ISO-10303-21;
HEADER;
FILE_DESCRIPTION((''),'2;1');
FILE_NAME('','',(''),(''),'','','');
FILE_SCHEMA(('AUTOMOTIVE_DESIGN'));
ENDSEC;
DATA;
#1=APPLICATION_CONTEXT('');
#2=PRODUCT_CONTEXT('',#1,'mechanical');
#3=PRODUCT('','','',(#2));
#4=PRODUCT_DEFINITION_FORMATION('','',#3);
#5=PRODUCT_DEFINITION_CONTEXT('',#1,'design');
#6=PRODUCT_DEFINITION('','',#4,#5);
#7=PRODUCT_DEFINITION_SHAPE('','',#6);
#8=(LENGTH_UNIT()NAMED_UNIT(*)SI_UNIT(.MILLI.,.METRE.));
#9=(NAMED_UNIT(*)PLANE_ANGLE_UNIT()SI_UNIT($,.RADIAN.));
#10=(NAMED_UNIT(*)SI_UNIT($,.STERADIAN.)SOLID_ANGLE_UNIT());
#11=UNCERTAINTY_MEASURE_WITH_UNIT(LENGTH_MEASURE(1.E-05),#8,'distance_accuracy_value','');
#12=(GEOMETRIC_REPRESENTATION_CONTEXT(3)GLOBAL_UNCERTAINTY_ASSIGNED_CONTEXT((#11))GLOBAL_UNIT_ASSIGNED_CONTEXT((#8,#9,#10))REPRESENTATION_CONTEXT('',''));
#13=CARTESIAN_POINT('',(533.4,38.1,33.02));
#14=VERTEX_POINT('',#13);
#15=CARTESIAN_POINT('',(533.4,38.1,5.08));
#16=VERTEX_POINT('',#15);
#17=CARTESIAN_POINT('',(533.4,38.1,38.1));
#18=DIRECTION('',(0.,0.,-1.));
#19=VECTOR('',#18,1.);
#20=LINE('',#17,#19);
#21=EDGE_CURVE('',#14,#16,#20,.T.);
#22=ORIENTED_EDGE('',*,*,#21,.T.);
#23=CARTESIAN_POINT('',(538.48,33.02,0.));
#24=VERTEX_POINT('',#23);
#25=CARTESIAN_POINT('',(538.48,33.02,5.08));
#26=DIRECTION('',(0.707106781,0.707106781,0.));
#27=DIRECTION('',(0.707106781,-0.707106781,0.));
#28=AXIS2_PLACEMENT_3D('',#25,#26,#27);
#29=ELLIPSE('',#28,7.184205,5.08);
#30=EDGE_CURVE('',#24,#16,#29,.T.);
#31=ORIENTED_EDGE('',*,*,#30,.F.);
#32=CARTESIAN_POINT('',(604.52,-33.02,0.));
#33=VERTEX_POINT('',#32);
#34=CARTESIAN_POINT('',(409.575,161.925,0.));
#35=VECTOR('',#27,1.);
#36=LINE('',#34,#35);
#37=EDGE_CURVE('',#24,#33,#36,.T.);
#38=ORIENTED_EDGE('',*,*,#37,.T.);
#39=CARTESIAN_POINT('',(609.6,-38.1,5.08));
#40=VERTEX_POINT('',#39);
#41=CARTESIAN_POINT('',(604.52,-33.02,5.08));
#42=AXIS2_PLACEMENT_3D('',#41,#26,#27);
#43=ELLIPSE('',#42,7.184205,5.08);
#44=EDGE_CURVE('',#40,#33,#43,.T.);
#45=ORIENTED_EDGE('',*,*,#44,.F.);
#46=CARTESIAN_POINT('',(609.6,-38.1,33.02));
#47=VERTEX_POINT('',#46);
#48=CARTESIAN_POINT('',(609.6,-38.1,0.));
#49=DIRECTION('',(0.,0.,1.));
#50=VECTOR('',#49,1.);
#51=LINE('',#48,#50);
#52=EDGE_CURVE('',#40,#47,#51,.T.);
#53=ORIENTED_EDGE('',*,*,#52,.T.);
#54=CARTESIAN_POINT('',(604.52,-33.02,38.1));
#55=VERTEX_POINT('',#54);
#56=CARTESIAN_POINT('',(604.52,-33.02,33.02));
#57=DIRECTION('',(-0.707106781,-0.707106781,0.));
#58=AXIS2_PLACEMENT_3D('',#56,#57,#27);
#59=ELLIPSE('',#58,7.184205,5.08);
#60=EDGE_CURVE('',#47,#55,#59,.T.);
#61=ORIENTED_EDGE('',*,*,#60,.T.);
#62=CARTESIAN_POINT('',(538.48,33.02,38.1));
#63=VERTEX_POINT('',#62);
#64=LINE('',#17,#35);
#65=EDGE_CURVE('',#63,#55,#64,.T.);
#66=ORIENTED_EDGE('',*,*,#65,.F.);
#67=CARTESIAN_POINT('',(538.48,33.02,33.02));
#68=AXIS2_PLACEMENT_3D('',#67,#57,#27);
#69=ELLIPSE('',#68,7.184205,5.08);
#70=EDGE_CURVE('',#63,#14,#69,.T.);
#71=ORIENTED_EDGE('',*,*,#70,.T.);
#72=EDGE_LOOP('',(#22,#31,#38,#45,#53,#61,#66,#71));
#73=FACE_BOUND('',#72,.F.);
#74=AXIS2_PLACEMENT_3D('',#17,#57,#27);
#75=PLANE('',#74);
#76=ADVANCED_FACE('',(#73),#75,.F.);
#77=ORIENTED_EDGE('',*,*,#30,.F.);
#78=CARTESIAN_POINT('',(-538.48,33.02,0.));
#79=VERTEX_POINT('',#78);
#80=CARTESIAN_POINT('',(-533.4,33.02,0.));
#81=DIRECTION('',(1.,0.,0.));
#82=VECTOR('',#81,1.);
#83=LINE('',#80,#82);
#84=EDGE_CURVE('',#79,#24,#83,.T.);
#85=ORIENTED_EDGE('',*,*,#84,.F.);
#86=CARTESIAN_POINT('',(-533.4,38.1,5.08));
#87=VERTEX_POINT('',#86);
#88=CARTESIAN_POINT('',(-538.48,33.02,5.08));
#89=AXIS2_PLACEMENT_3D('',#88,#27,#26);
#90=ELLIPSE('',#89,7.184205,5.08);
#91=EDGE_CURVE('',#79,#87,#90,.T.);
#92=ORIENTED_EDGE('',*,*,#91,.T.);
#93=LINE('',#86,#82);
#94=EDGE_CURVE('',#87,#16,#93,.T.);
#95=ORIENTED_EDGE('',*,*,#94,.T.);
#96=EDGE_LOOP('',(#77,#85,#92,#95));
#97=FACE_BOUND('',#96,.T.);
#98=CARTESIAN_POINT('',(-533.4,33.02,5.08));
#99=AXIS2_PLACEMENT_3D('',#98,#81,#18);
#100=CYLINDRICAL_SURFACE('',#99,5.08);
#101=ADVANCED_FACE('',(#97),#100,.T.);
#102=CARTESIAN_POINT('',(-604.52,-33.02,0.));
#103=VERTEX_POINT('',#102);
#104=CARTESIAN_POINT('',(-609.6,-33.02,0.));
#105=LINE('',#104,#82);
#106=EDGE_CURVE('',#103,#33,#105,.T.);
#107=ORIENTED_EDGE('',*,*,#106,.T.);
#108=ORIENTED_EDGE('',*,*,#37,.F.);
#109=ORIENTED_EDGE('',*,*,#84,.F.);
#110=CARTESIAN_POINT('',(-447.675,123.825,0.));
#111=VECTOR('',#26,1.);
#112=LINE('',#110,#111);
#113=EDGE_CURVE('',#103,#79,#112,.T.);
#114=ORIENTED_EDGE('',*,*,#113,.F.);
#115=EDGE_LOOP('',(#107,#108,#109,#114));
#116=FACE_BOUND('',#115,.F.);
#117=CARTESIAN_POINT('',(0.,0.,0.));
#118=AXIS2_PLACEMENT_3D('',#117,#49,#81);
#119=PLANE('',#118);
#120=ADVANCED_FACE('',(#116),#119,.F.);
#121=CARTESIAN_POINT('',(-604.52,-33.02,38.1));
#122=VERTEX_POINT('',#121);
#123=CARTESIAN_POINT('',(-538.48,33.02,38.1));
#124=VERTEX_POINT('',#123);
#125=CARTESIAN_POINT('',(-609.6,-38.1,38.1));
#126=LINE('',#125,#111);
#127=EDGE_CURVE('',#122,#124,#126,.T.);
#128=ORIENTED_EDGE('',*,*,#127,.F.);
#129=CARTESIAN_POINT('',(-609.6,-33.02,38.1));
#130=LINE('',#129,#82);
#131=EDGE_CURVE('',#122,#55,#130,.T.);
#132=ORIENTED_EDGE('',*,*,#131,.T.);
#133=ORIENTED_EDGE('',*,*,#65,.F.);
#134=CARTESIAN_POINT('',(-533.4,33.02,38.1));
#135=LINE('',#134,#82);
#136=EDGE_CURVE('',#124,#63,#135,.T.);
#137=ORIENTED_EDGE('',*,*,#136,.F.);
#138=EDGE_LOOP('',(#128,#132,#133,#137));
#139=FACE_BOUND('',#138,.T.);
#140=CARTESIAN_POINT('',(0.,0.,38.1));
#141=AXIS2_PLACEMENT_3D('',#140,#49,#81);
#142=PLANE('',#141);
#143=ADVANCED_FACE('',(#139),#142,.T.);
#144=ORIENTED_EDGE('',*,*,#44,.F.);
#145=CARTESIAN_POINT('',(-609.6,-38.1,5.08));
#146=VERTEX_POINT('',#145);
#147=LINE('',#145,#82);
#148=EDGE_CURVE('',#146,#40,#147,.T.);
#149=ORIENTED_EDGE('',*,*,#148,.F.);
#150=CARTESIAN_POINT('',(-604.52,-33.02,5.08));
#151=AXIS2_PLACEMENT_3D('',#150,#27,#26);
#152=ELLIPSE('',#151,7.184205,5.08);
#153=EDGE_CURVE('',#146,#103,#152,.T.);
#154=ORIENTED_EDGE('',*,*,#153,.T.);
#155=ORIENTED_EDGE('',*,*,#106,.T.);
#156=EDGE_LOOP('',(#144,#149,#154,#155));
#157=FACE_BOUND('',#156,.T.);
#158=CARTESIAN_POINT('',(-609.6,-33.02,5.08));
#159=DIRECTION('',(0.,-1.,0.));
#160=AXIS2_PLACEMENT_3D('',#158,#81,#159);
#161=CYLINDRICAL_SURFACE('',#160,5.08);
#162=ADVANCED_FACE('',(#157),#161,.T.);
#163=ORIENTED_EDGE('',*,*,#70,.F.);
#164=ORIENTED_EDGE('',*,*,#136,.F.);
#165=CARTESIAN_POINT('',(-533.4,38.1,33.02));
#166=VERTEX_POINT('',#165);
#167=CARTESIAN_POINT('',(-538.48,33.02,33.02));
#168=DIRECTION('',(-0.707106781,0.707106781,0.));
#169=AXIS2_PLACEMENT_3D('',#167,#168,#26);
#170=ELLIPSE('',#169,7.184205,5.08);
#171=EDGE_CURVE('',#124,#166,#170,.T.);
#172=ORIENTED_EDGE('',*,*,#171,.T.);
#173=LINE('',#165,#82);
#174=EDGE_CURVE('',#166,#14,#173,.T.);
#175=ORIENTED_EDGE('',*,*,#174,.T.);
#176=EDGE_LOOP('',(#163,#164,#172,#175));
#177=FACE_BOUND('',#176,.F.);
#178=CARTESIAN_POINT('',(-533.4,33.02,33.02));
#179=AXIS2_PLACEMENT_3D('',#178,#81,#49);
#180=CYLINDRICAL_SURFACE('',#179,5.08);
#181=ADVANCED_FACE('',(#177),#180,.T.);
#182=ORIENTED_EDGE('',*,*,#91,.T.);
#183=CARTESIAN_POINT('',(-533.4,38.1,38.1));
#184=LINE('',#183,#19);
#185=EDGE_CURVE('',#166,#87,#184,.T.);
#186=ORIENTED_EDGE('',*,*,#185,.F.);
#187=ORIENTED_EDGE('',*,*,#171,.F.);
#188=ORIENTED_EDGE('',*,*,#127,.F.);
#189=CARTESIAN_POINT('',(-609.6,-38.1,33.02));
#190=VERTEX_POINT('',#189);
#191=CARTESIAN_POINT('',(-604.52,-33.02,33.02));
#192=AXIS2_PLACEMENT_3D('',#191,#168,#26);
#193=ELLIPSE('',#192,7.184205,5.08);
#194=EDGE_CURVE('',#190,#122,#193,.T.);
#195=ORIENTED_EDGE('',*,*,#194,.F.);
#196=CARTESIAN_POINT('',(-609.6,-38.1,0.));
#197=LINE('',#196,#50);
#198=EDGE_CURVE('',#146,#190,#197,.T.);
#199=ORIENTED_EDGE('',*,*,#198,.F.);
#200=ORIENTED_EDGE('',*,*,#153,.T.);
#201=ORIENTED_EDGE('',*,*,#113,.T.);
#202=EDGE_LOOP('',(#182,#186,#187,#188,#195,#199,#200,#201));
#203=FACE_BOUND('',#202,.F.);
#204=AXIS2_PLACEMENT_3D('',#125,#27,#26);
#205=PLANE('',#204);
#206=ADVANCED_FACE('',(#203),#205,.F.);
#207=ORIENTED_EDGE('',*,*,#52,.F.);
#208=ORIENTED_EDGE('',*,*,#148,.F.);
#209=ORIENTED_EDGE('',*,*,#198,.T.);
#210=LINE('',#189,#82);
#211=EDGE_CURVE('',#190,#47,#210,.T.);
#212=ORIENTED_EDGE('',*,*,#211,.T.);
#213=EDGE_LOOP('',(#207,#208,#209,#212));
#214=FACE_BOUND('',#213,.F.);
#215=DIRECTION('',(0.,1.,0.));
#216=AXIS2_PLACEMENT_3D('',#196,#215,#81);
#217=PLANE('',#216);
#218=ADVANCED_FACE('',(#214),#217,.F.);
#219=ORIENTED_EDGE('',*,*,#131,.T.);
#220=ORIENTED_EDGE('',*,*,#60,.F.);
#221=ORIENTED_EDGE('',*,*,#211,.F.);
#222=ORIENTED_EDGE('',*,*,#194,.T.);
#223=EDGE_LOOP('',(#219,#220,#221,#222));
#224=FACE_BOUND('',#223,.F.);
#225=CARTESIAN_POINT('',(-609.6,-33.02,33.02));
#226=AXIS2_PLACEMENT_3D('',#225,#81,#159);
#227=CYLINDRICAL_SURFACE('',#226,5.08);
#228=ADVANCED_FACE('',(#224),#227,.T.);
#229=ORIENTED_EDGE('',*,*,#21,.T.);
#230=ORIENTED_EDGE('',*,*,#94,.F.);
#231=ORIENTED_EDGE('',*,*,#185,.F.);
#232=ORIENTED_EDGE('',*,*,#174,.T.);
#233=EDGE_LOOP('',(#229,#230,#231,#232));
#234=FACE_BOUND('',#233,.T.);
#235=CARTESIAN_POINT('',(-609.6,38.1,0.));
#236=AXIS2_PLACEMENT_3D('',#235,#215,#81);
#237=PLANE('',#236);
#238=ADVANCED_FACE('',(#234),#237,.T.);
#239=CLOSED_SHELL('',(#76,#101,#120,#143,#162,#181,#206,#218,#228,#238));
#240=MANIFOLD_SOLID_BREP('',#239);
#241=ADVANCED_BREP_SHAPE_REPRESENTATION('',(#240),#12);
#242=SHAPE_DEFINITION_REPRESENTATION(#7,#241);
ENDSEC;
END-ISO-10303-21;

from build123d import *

# Parameters (mm, degrees)
F0_W     = 1219.2
F0_H     = 76.2
F1_DEPTH = 38.1
F3_DEPTH = 38.101
F4_R     = 5.08


with BuildPart() as f1:
    # F0 (on Top) → F1 (new body)
    with BuildSketch(Plane.XY):
        Rectangle(F0_W, F0_H)
    extrude(amount=F1_DEPTH)

    # F2 (on face) → F3 (cut, through all)
    with BuildSketch(Plane.XY.offset(38.1)):
        Polygon((-609.6, 38.1), (-609.6, -38.1), (-533.4, 38.1), align=None)
        Polygon((533.4, 38.1), (609.6, -38.1), (609.6, 38.1), align=None)
    extrude(amount=-F3_DEPTH, mode=Mode.SUBTRACT)

    # F4
    f4_edges = [f1.edges().sort_by_distance(p)[0] for p in [
        (0, 38.1, 0),
        (0, -38.1, 0),
        (0, -38.1, 38.1),
        (0, 38.1, 38.1),
    ]]
    fillet(f4_edges, radius=F4_R)


solid = f1.part
